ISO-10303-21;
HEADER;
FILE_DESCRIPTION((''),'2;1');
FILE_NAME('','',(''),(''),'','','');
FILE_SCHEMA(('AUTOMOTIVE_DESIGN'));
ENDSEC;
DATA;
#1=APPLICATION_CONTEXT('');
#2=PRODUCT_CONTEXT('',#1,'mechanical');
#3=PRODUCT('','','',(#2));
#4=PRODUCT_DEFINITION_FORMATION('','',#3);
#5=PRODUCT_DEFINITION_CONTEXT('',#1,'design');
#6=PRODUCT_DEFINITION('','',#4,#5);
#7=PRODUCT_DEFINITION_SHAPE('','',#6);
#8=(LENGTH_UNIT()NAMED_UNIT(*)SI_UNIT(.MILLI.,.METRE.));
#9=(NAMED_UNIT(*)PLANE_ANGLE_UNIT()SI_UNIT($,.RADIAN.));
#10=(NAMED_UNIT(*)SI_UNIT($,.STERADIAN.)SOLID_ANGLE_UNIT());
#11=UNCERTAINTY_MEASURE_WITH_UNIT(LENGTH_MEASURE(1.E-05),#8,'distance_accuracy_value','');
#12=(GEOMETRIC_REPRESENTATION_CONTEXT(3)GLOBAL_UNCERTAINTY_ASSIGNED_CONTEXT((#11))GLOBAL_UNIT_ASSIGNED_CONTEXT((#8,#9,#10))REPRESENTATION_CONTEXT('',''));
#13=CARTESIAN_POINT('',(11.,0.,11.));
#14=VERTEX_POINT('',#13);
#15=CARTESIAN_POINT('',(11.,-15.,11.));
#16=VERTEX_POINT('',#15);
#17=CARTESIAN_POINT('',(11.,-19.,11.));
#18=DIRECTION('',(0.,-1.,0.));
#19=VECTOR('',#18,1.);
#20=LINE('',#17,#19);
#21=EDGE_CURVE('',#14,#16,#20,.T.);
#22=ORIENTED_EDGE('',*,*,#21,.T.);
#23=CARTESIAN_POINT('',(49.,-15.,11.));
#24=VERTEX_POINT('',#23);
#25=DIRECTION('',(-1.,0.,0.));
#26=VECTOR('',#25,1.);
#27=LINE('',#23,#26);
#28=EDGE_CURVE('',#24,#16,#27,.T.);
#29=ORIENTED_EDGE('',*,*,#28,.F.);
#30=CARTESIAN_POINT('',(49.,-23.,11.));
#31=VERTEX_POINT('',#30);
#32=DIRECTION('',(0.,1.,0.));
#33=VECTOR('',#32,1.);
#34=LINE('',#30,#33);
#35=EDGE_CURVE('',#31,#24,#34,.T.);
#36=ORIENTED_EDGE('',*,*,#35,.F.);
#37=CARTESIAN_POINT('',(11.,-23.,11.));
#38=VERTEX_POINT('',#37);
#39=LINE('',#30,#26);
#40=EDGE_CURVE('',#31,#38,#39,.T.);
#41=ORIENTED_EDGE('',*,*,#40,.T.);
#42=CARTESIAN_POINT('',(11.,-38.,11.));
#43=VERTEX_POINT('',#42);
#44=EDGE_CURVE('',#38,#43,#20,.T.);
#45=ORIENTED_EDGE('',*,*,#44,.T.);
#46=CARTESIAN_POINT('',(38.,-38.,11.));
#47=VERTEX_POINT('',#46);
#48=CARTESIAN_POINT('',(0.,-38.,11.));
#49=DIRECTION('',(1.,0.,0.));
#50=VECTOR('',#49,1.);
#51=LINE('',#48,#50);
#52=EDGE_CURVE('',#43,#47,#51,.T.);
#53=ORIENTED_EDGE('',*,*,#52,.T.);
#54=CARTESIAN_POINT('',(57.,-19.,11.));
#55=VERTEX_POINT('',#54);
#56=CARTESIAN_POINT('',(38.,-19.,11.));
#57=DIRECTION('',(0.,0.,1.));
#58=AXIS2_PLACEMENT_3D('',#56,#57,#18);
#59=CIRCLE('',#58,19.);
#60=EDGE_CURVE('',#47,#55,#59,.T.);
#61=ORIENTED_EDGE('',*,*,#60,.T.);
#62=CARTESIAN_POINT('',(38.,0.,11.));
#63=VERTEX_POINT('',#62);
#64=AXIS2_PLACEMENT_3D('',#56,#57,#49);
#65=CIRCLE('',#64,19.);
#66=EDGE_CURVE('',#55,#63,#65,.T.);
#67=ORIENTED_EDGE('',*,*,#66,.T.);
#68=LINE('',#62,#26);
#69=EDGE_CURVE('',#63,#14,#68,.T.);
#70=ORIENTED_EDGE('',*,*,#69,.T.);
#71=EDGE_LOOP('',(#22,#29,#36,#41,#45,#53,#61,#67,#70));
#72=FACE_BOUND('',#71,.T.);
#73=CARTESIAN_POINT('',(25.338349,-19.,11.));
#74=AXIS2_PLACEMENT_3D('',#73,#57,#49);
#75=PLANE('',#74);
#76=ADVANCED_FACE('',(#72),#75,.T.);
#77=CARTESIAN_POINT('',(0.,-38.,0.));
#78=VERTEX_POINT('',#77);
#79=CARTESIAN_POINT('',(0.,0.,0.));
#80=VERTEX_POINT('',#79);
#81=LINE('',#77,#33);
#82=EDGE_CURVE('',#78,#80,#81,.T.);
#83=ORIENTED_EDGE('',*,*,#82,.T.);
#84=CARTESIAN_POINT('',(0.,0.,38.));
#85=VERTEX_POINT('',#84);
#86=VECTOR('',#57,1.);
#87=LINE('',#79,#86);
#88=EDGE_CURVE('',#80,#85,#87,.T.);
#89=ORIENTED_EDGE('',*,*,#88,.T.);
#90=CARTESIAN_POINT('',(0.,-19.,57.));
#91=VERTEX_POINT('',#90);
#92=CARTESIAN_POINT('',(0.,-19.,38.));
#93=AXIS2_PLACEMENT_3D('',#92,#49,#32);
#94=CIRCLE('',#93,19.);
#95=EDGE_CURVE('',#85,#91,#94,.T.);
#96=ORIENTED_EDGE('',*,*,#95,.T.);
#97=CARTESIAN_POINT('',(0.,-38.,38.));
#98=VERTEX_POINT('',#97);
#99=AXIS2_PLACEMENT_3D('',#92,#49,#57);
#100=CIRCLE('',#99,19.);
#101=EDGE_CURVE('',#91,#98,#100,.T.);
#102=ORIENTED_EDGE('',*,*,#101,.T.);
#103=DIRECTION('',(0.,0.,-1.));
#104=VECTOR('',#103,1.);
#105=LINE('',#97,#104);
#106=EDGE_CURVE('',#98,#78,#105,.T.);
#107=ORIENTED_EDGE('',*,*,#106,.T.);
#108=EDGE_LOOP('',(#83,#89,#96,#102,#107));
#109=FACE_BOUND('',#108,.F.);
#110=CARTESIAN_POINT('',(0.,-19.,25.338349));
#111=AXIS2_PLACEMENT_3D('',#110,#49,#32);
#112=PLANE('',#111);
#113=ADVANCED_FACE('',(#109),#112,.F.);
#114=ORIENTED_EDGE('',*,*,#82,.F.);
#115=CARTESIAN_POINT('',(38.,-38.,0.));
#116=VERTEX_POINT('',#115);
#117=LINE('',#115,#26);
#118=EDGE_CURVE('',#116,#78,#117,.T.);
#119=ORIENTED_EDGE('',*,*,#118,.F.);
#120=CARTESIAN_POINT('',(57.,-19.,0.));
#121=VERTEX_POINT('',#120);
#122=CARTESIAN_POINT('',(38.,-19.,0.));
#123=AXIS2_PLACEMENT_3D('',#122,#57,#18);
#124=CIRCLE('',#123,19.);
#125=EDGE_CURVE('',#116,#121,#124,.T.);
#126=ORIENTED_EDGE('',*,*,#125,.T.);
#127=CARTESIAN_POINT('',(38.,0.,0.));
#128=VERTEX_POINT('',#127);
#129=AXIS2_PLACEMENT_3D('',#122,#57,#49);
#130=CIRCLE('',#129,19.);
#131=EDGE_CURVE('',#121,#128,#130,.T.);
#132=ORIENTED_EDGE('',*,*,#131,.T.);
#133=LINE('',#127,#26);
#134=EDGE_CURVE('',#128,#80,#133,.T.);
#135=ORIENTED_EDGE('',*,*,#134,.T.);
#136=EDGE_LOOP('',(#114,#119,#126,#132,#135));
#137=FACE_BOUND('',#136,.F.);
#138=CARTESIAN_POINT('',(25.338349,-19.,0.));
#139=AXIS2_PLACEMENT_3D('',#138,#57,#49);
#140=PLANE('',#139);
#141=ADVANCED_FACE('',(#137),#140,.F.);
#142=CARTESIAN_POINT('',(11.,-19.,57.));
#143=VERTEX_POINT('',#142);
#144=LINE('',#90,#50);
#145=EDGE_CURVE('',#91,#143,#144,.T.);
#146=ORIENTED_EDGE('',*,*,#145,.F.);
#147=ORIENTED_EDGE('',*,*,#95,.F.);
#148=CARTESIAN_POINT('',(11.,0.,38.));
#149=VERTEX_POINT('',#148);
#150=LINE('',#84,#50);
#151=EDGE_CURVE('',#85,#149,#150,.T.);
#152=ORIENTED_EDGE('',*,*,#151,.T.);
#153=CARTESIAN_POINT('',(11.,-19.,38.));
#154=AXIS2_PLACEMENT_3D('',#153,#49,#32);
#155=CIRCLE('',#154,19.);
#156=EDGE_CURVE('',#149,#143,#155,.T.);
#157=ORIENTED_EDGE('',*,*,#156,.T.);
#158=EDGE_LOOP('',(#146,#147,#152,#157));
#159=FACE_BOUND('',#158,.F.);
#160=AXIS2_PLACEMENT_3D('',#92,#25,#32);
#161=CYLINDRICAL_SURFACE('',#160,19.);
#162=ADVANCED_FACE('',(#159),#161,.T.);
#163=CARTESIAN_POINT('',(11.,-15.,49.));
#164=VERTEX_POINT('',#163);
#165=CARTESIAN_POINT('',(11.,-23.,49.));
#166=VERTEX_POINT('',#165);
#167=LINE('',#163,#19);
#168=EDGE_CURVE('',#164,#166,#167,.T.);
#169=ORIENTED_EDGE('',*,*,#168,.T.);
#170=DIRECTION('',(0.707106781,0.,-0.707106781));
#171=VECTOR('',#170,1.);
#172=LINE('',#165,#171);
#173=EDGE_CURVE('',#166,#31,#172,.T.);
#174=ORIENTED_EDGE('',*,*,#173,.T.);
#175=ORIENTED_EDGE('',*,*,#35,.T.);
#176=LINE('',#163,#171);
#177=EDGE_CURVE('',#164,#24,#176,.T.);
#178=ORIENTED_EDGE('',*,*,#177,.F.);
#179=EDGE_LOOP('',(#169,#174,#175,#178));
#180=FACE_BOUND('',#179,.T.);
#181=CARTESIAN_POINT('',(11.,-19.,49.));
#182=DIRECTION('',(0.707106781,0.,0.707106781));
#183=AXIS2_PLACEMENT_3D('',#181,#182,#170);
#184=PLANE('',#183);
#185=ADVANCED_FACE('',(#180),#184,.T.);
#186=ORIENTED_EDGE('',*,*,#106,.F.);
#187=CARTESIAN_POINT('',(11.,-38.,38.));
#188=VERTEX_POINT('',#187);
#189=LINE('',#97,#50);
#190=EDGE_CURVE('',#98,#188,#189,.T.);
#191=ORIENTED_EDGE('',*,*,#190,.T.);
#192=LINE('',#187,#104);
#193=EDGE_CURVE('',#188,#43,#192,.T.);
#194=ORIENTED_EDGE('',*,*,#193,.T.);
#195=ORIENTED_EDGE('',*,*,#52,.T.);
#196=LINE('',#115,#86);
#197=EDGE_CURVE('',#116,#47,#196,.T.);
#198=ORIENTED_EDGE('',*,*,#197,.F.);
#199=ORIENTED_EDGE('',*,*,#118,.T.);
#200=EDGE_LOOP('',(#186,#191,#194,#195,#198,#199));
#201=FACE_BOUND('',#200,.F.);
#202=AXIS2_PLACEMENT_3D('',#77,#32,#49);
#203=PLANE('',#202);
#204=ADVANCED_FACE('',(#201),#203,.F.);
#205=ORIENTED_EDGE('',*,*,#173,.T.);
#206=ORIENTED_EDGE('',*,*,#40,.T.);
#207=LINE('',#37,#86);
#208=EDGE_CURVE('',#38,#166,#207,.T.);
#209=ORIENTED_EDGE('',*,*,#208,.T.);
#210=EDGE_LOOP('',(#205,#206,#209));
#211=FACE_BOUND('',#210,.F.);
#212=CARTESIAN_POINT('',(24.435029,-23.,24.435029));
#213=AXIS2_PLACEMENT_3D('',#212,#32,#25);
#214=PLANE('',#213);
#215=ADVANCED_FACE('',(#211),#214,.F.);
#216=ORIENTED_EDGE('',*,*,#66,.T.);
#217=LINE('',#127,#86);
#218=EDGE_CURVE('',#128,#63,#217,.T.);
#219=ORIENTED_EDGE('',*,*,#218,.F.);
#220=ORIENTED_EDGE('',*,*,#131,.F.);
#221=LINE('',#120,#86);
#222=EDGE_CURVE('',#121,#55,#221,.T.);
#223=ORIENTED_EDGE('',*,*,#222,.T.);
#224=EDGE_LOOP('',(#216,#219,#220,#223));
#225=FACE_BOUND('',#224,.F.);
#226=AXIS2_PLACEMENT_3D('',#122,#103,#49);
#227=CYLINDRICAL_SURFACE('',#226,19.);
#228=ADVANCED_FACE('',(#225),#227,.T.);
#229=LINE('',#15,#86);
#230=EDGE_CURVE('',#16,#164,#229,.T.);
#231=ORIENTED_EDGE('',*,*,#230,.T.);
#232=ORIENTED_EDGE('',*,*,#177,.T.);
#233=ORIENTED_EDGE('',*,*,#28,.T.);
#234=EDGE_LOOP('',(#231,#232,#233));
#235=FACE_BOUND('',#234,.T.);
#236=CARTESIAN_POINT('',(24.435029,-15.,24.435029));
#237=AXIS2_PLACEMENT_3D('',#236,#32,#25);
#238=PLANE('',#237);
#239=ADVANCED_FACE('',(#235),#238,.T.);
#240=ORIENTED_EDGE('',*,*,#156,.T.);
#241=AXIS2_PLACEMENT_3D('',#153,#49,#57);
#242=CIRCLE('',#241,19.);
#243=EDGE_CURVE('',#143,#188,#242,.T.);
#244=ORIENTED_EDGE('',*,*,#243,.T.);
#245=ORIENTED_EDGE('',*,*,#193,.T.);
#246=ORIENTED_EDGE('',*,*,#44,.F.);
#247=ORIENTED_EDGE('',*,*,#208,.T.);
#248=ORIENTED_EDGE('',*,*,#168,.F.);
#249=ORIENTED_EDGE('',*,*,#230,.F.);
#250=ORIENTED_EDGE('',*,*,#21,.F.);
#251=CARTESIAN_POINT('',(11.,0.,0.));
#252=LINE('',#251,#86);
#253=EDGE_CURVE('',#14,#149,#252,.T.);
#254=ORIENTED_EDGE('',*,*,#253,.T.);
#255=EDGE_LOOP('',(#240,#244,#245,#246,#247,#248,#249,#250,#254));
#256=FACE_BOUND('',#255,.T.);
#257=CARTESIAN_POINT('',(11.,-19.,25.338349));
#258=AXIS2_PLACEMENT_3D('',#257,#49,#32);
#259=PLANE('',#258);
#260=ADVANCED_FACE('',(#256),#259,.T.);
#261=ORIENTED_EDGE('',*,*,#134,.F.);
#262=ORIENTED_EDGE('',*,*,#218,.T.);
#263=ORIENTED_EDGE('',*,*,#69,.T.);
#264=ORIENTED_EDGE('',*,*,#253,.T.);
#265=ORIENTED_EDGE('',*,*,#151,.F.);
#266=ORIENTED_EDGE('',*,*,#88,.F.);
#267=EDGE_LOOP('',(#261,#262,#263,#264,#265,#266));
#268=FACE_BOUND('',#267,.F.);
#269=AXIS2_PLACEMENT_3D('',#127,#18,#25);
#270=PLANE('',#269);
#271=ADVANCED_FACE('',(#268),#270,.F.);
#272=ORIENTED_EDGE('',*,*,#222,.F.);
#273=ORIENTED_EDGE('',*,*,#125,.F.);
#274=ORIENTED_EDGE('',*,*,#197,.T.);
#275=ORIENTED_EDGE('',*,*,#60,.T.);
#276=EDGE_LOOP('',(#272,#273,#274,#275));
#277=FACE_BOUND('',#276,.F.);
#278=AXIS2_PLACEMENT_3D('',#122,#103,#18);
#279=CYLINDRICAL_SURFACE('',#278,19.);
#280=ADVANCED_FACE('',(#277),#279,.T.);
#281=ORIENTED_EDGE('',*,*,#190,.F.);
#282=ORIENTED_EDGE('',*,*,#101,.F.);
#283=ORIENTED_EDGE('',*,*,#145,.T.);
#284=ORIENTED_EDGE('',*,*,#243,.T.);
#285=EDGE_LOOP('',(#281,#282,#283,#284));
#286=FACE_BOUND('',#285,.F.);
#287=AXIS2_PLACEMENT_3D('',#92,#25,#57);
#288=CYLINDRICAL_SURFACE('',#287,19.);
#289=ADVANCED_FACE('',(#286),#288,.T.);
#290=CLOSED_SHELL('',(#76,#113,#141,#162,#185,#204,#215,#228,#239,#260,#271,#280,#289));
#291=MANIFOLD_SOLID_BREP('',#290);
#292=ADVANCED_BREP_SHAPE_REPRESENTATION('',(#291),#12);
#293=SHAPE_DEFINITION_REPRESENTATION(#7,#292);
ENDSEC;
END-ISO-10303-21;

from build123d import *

# Parameters (mm, degrees)
F1_DEPTH = 11
F3_DEPTH = 11
F9_DEPTH = 4


with BuildPart() as f1:
    # F0 (on Right) → F1 (new body)
    with BuildSketch(Plane.YZ):
        with BuildLine():
            Line((-38, 0), (0, 0))
            Line((0, 0), (0, 38))
            ThreePointArc((0, 38), (-5.5649711575, 51.4350288425), (-19, 57))
            ThreePointArc((-19, 57), (-32.4350288425, 51.4350288425), (-38, 38))
            Line((-38, 38), (-38, 0))
        make_face()
    extrude(amount=F1_DEPTH)

    # F2 (on Top) → F3 (join)
    with BuildSketch(Plane.XY):
        with BuildLine():
            Line((38, 0), (0, 0))
            Line((0, 0), (0, -38))
            Line((0, -38), (38, -38))
            ThreePointArc((38, -38), (51.4350288425, -32.4350288425), (57, -19))
            ThreePointArc((57, -19), (51.4350288425, -5.5649711575), (38, 0))
        make_face()
    extrude(amount=F3_DEPTH)

    # F8 (on 3pt) → F9 (join, symmetric)
    with BuildSketch(Plane(origin=(0, -19, 0), x_dir=(-1, 0, 0), z_dir=(0, 1, 0))):
        Polygon((-11, 49), (-49, 11), (-11, 11), align=None)
    extrude(amount=F9_DEPTH, both=True)


solid = f1.part
